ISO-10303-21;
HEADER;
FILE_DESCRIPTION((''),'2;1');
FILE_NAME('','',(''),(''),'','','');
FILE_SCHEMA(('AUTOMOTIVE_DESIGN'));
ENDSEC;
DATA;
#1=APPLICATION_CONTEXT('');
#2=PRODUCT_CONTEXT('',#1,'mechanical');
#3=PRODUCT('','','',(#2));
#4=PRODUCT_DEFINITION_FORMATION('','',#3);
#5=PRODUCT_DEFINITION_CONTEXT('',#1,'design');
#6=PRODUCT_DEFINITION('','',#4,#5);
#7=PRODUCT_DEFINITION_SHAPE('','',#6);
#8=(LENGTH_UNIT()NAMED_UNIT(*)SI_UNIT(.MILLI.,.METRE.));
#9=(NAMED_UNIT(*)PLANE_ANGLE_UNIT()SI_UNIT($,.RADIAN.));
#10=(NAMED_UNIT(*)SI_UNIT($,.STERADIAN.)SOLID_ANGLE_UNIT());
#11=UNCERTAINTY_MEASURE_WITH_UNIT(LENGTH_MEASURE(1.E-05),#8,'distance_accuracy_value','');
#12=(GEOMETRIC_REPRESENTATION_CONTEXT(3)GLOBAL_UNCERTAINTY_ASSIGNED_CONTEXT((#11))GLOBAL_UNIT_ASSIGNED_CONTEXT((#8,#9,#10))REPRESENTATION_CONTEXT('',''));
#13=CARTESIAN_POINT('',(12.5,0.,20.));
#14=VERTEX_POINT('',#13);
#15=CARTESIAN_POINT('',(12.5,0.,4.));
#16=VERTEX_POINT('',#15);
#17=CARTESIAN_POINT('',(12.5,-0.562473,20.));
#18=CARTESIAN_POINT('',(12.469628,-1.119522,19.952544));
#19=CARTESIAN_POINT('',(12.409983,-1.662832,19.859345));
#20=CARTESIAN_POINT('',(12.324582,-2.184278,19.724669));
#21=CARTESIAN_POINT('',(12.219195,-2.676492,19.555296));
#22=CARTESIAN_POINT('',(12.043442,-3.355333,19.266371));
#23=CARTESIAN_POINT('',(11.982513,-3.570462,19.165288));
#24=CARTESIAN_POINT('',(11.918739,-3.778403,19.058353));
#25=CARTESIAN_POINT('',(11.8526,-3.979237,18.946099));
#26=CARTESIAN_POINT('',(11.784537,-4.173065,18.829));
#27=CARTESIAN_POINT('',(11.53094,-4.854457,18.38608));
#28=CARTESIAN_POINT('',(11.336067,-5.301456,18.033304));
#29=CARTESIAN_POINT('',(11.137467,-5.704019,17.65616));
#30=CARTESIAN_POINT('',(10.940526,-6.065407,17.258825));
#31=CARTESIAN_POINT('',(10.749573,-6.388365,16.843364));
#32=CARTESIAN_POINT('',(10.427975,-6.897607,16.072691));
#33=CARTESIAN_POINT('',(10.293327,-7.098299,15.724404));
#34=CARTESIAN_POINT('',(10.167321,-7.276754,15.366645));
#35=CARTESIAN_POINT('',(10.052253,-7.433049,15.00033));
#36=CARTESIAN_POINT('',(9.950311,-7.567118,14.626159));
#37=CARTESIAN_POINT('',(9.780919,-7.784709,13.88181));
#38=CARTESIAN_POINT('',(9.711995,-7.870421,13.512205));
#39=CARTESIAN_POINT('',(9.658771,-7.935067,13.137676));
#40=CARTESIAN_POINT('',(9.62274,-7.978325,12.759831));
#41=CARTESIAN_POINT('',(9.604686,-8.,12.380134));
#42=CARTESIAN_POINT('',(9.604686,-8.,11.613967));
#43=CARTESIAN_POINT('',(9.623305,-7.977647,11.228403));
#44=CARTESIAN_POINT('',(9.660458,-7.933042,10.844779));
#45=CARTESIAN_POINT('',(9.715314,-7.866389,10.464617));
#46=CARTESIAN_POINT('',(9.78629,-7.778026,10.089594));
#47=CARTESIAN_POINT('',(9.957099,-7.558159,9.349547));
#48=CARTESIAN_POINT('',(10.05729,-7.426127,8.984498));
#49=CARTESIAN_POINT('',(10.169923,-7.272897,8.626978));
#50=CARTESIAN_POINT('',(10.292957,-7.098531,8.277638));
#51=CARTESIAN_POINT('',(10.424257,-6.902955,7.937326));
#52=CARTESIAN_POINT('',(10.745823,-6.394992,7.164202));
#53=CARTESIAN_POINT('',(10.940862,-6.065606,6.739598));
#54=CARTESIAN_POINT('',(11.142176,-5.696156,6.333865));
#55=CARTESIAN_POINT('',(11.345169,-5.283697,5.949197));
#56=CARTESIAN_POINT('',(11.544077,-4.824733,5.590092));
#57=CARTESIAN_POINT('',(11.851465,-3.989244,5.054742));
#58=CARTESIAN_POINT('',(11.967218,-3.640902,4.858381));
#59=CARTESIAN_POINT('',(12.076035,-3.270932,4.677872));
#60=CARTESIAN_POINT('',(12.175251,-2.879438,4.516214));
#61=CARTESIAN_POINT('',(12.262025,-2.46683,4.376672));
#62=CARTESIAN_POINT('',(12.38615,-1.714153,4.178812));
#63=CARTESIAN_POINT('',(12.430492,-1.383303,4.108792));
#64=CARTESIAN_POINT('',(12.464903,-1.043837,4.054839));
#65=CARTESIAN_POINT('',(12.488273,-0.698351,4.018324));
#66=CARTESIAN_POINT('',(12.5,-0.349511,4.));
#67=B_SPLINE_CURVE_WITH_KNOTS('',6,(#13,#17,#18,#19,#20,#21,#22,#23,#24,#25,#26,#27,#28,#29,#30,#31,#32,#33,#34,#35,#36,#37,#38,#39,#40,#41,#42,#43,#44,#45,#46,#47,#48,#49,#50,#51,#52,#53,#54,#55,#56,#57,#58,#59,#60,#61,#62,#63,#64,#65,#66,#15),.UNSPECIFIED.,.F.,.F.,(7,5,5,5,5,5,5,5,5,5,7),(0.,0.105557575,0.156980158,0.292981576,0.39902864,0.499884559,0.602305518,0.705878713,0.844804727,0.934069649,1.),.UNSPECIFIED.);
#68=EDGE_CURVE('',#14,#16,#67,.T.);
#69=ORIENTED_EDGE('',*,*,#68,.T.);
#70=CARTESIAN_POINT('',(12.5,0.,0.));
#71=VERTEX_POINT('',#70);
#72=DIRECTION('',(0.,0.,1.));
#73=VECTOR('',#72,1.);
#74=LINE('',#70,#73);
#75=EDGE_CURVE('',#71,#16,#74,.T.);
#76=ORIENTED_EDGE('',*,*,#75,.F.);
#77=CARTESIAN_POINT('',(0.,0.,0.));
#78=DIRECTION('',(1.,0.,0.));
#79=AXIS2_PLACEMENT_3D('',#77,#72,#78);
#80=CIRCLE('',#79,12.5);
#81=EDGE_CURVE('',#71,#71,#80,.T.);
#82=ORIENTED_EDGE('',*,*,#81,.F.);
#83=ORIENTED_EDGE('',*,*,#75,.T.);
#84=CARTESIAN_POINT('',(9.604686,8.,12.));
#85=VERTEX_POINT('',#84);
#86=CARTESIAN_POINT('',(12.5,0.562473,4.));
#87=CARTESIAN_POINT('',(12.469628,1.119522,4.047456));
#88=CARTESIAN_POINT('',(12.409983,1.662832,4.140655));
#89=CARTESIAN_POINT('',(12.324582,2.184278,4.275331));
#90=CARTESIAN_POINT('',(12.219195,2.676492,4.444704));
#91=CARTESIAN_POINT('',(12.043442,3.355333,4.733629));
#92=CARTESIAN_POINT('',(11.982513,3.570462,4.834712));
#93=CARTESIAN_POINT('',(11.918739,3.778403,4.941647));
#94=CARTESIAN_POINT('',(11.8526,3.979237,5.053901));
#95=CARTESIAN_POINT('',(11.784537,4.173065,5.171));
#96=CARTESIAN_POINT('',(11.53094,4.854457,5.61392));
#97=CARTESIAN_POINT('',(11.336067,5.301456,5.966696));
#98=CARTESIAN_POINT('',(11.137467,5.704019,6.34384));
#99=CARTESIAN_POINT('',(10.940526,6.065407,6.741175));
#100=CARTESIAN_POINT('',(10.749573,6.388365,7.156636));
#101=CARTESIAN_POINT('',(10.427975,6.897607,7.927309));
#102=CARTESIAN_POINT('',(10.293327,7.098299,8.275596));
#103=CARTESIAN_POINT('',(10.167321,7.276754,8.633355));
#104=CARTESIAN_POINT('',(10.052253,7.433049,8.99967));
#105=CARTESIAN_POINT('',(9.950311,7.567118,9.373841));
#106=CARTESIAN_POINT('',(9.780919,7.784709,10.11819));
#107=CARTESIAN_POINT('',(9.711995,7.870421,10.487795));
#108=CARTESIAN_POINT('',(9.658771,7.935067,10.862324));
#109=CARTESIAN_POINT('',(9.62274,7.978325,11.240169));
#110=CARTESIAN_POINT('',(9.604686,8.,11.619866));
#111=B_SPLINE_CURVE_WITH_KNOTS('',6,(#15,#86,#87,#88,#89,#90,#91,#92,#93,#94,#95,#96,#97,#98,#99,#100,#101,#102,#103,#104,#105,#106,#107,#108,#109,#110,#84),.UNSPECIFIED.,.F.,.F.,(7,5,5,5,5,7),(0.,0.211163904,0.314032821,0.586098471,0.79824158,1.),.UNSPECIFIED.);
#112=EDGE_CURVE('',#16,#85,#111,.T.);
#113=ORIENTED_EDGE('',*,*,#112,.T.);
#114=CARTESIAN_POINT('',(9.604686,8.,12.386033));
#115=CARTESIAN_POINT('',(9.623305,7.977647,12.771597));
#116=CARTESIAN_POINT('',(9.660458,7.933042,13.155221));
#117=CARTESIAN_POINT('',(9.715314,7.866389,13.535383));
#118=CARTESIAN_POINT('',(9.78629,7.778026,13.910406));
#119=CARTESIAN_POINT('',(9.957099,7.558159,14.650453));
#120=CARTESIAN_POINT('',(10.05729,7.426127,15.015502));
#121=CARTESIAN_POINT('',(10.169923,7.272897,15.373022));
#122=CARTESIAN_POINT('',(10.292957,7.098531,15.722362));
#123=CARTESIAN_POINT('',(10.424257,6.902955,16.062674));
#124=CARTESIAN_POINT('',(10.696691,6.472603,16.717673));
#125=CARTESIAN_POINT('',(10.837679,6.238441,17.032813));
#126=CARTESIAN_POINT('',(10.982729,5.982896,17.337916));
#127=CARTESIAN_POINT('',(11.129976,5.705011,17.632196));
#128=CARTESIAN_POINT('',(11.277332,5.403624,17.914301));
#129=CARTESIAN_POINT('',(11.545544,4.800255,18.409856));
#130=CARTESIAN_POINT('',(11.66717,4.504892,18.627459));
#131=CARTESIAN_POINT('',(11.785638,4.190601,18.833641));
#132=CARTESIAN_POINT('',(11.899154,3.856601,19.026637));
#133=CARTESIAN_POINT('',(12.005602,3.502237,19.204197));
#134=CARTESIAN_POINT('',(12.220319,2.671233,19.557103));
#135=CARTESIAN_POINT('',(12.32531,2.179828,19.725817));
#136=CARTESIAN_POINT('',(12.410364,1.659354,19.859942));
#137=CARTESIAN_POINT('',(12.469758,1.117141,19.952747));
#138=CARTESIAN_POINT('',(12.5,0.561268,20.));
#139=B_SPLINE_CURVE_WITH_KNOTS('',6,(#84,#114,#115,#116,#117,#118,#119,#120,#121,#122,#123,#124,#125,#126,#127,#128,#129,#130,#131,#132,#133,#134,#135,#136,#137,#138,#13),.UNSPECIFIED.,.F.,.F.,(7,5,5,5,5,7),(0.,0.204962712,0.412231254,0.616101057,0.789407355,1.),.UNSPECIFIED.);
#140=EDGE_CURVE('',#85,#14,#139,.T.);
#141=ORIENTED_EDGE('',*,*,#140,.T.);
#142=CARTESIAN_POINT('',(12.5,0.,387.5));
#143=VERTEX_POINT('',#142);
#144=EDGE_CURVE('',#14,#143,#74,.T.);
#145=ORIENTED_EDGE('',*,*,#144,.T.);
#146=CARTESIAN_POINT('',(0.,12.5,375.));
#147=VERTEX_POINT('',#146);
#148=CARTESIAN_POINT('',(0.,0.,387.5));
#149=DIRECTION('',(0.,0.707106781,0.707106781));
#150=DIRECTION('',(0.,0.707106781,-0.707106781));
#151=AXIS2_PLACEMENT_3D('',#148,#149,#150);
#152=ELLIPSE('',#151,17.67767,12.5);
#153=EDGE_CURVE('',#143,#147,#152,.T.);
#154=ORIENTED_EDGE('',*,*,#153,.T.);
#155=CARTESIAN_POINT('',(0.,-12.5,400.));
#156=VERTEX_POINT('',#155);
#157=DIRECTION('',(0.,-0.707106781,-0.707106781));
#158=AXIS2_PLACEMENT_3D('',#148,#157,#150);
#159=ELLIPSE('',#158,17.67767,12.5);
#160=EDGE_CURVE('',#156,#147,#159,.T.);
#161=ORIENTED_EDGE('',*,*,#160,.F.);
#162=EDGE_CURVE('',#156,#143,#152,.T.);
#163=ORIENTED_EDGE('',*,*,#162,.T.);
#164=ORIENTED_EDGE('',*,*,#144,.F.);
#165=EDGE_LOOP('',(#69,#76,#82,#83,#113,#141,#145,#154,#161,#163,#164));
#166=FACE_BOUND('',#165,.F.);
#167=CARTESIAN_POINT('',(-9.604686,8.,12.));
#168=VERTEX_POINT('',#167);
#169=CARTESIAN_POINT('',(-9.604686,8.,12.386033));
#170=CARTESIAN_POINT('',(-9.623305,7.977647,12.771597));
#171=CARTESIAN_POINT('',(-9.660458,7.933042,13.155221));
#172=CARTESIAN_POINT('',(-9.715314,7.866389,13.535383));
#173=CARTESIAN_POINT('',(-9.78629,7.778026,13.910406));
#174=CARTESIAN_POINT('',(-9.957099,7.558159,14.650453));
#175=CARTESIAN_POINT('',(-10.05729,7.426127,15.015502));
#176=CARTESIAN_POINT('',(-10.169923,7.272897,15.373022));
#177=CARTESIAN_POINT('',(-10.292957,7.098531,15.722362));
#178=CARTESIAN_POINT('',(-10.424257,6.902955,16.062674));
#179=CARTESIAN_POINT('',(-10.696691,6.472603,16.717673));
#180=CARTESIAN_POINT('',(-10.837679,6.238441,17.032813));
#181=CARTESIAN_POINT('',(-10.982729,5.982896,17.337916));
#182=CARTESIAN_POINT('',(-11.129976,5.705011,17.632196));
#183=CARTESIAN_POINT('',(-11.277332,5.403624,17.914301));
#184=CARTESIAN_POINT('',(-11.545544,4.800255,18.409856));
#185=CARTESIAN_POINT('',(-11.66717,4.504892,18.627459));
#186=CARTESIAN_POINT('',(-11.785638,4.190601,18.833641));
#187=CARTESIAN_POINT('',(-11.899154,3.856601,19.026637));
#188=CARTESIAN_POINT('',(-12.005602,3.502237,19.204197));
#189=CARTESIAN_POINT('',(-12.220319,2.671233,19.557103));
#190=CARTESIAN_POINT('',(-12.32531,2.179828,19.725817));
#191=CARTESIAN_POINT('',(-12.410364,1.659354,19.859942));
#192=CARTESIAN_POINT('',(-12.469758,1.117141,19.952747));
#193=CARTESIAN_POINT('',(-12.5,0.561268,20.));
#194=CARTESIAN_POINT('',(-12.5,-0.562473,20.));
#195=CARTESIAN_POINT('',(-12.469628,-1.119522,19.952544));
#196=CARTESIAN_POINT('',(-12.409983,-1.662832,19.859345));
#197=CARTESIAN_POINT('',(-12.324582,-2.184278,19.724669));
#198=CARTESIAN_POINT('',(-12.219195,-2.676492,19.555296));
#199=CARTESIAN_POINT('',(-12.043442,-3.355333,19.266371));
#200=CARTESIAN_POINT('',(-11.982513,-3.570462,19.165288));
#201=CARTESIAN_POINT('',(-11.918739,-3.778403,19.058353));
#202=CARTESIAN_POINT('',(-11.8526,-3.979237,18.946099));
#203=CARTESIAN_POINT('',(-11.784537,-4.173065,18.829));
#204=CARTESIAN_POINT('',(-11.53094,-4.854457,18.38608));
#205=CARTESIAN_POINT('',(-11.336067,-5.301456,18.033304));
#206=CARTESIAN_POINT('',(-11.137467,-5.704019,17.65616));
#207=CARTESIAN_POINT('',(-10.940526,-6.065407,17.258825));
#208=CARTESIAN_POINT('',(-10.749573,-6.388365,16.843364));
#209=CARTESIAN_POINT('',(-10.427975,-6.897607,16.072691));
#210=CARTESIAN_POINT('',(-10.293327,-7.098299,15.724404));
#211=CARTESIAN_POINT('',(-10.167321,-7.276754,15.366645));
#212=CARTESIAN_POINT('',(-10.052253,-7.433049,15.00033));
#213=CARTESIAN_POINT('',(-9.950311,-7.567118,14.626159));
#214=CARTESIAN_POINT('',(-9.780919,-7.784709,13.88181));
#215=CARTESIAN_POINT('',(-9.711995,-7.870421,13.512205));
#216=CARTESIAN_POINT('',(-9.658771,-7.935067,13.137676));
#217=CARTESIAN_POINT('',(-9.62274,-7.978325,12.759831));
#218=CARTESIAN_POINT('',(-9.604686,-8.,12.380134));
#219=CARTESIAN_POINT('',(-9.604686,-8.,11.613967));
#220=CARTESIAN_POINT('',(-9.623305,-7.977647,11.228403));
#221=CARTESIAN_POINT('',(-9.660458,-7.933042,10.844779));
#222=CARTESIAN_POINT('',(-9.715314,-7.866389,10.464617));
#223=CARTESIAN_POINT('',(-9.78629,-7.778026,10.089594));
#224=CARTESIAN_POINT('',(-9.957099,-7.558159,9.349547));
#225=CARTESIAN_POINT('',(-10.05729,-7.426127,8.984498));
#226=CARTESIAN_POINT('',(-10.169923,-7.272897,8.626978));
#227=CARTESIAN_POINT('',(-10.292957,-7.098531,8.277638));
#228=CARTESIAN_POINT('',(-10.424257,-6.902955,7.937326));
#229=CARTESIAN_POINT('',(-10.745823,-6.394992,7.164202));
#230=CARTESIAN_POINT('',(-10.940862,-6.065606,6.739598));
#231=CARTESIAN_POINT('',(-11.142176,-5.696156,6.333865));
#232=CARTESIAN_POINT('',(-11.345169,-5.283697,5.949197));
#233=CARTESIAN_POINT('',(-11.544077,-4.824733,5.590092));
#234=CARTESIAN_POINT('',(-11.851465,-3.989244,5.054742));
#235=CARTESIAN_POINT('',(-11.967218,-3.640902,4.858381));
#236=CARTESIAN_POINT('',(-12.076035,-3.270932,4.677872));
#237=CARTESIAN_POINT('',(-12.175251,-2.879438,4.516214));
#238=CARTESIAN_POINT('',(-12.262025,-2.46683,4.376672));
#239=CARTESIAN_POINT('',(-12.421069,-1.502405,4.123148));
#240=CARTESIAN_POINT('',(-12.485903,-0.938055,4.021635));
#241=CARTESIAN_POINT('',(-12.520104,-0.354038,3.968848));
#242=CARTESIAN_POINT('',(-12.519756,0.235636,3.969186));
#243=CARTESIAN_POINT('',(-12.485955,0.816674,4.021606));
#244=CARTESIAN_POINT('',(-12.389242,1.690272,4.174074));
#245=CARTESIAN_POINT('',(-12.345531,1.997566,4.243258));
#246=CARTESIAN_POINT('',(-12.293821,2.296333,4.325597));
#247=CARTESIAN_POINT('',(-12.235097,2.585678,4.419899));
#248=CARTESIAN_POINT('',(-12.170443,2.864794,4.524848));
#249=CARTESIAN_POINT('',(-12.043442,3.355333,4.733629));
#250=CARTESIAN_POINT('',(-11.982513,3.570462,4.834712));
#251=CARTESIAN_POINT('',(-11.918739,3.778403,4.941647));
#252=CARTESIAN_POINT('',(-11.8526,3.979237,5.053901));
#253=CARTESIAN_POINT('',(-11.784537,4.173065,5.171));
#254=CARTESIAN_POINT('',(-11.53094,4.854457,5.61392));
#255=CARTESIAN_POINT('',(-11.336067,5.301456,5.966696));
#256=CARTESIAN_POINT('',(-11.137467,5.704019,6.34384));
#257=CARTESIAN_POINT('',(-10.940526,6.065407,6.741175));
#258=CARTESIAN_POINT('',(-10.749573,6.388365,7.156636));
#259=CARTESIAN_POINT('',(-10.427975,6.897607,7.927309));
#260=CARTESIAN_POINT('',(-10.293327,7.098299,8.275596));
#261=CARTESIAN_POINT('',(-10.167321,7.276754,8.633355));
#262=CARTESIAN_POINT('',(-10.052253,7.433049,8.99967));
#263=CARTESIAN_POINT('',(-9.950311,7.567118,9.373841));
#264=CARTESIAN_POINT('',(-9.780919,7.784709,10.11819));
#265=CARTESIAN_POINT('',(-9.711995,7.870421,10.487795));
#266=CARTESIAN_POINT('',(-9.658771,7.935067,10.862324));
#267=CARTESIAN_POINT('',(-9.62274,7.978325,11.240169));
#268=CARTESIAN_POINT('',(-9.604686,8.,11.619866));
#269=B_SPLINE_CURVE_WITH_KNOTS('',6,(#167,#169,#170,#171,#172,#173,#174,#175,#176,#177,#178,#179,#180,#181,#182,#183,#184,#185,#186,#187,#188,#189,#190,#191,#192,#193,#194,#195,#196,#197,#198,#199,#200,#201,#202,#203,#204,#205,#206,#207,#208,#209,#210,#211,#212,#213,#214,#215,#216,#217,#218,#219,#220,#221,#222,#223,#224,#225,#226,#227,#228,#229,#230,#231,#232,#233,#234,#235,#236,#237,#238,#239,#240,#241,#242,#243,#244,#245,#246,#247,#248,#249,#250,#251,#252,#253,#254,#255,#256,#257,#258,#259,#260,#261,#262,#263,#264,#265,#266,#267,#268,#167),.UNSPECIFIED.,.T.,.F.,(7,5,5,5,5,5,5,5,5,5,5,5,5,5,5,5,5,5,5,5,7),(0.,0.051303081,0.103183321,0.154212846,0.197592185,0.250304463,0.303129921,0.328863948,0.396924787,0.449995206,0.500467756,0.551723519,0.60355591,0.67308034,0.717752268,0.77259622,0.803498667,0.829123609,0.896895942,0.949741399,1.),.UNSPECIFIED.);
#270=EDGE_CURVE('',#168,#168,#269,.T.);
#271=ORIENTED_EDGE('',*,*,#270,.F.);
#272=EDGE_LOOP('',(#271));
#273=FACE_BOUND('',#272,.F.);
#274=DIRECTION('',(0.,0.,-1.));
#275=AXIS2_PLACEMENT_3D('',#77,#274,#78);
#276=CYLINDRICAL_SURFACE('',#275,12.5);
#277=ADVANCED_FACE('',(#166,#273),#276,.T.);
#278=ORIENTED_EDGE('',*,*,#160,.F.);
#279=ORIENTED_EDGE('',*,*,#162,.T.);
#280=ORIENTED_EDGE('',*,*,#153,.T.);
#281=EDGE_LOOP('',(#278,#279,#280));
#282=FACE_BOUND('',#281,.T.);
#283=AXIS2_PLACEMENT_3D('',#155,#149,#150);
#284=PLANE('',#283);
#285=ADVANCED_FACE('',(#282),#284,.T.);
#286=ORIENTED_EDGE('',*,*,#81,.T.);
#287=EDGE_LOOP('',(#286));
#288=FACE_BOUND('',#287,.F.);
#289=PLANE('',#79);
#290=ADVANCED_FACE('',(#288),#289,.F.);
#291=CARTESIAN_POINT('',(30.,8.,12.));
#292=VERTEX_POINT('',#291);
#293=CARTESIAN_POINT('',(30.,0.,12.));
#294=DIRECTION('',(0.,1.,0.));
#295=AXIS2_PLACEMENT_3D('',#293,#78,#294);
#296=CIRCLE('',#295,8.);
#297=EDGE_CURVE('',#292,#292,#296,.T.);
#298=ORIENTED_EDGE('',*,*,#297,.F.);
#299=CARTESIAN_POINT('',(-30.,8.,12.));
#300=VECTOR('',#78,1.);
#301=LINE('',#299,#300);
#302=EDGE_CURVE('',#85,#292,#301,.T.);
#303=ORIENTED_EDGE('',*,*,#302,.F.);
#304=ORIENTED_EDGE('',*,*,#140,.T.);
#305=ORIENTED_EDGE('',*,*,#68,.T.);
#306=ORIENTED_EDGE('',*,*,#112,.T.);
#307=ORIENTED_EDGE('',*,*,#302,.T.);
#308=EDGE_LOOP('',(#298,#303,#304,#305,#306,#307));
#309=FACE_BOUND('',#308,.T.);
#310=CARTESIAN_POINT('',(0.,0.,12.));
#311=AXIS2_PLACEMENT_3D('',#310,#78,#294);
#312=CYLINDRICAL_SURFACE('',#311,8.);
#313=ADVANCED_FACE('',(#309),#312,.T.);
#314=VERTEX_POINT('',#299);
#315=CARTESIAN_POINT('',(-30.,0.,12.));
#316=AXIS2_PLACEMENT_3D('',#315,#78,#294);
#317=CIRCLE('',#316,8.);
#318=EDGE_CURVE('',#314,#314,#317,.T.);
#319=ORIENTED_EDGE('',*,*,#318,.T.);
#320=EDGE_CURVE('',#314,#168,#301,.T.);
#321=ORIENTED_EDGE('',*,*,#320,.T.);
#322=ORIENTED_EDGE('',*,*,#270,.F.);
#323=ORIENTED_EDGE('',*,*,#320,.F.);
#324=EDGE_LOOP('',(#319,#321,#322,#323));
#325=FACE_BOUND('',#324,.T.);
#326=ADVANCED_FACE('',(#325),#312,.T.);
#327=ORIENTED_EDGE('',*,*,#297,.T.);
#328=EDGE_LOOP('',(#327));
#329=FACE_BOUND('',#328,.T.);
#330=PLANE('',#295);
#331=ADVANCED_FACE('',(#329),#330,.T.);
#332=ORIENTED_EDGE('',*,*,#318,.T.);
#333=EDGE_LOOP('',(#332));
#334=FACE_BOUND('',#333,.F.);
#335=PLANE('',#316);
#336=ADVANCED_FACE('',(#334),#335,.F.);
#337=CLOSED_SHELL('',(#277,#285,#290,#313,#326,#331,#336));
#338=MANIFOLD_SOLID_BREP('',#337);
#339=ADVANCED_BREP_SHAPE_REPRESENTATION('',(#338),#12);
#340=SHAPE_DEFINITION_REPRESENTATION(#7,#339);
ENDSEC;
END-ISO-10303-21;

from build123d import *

# Parameters (mm, degrees)
F0_R          = 12.5
F1_DEPTH      = 400
F2_R          = 8
F3_DEPTH      = 30
F5_DEPTH      = 30.0010001
F5_DEPTH_BACK = 30.0010001


with BuildPart() as f1:
    # F0 (on Top) → F1 (new body)
    with BuildSketch(Plane.XY):
        Circle(F0_R)
    extrude(amount=F1_DEPTH)

    # F2 (on Right) → F3 (join, symmetric)
    with BuildSketch(Plane.YZ):
        with Locations((0, 12)):
            Circle(F2_R)
    extrude(amount=F3_DEPTH, both=True)

    # F4 (on Right) → F5 (cut, two sides)
    with BuildSketch(Plane.YZ) as f5_sk:
        Polygon((12.5, 400), (-12.5, 400), (12.5, 375), align=None)
    extrude(amount=-F5_DEPTH, mode=Mode.SUBTRACT)
    extrude(f5_sk.sketch, amount=F5_DEPTH_BACK, mode=Mode.SUBTRACT)


solid = f1.part
